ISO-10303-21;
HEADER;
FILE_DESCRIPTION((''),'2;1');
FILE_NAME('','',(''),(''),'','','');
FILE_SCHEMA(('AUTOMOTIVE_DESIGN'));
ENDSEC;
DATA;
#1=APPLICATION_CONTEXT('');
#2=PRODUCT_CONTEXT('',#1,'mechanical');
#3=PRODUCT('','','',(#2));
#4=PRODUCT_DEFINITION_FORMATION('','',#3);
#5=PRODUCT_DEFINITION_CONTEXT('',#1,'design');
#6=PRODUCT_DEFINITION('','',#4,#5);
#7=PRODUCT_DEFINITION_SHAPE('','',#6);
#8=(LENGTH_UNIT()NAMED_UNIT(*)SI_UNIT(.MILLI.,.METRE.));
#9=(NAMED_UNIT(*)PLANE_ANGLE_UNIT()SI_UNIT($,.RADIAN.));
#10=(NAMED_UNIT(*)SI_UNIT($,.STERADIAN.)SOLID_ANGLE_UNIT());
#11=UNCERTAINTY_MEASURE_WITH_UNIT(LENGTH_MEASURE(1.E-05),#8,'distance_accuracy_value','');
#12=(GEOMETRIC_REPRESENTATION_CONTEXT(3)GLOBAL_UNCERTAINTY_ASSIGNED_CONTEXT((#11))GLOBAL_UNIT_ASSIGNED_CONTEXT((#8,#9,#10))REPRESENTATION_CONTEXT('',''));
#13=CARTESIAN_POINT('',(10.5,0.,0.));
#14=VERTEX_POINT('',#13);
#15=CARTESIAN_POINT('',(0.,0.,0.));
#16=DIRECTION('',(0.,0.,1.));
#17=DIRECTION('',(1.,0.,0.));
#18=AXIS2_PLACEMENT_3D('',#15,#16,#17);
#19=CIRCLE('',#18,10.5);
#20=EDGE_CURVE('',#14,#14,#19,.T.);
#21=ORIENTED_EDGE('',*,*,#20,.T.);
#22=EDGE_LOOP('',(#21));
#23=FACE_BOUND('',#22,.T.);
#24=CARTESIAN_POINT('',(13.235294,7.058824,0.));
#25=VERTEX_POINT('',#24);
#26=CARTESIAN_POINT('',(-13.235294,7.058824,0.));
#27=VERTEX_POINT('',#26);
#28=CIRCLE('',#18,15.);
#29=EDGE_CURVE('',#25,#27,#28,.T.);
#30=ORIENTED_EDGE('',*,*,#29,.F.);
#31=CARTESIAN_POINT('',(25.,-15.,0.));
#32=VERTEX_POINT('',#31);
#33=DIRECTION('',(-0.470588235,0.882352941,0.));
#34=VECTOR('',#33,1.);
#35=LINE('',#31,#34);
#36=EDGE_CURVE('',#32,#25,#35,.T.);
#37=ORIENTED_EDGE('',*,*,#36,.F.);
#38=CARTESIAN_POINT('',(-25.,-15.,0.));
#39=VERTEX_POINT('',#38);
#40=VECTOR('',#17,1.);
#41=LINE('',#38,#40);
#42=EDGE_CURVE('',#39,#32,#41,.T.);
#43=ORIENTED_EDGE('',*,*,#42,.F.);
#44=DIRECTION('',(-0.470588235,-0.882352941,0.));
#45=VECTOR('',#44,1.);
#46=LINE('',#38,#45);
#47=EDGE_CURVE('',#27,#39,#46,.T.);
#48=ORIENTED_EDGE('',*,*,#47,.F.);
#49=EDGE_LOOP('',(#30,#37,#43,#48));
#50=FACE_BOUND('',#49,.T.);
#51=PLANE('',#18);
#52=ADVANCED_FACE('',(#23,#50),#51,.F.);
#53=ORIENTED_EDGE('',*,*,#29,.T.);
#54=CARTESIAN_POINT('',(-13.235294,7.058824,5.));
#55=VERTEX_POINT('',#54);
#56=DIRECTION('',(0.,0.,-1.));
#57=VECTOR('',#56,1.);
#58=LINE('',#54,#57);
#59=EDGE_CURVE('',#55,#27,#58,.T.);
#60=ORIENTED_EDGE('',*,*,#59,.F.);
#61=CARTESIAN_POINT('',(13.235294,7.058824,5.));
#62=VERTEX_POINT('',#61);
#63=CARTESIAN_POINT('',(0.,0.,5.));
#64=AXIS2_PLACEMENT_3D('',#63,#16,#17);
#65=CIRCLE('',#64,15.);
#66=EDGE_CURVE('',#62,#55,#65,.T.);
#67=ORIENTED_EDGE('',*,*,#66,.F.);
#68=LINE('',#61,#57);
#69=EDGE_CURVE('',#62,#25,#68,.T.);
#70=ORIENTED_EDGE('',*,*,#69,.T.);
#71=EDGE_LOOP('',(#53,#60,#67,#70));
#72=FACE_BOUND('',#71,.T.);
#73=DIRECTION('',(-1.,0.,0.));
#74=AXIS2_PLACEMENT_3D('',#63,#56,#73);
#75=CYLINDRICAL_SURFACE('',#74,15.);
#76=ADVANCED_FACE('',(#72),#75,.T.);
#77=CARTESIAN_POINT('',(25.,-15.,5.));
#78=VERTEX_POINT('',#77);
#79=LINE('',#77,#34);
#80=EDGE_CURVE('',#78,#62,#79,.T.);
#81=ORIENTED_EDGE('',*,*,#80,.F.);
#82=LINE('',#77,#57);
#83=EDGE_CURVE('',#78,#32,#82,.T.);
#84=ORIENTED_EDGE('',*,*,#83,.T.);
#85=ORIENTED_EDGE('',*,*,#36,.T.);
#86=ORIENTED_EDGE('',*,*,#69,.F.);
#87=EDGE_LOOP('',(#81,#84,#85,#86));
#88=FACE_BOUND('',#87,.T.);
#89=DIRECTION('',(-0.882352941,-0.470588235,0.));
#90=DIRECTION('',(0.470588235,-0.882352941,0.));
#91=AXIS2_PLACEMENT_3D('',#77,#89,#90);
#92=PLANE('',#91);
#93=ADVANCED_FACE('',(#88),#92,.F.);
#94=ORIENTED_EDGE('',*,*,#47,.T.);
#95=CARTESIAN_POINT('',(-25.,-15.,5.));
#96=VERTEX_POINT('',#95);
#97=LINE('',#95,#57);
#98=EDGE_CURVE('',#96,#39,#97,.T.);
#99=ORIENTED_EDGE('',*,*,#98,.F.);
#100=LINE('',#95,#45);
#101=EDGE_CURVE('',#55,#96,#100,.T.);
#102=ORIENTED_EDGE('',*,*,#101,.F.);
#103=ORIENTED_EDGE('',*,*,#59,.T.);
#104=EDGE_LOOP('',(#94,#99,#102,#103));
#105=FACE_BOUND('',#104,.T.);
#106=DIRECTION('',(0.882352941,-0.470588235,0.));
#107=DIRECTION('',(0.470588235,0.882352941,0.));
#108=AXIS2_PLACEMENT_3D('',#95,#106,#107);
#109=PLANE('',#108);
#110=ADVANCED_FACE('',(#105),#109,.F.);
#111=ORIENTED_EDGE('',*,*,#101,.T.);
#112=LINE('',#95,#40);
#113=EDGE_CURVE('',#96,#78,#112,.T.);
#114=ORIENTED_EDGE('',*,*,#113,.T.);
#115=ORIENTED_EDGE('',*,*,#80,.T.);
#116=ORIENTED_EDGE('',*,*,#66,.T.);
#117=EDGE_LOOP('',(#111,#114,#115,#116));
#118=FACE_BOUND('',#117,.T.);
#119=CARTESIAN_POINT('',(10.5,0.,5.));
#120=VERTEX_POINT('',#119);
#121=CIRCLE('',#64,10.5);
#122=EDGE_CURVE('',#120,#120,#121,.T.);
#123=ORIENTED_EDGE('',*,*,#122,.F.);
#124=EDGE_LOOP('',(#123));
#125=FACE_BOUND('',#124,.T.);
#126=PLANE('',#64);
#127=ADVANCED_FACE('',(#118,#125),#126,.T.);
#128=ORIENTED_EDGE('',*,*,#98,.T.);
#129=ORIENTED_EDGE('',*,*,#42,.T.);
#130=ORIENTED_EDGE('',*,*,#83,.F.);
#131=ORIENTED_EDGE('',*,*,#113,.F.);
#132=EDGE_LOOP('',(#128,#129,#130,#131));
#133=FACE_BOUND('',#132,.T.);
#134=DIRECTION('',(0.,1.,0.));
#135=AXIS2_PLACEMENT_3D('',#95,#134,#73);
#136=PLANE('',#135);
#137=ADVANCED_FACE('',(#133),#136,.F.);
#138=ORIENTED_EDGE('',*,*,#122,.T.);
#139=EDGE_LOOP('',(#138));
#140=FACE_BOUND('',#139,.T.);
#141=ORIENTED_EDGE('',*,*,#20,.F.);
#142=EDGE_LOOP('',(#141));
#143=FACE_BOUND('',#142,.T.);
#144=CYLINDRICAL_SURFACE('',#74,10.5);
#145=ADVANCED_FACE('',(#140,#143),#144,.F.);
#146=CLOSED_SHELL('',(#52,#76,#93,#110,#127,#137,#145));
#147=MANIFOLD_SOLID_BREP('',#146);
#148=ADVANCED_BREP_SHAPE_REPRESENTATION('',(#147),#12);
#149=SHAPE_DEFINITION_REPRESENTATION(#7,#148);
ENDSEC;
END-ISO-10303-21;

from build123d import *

# Parameters (mm, degrees)
SKETCH1_R           = 10.5
BOSS_EXTRUDE1_DEPTH = 5


with BuildPart() as part:
    # Sketch1 → Boss-Extrude1 (new body)
    with BuildSketch(Plane.XY):
        with BuildLine():
            Line((-25, -15), (25, -15))
            Line((25, -15), (13.235294118, 7.058823529))
            ThreePointArc((13.235294118, 7.058823529), (0, 15), (-13.235294118, 7.058823529))
            Line((-13.235294118, 7.058823529), (-25, -15))
        make_face()
        Circle(SKETCH1_R, mode=Mode.SUBTRACT)
    extrude(amount=BOSS_EXTRUDE1_DEPTH)


solid = part.part
